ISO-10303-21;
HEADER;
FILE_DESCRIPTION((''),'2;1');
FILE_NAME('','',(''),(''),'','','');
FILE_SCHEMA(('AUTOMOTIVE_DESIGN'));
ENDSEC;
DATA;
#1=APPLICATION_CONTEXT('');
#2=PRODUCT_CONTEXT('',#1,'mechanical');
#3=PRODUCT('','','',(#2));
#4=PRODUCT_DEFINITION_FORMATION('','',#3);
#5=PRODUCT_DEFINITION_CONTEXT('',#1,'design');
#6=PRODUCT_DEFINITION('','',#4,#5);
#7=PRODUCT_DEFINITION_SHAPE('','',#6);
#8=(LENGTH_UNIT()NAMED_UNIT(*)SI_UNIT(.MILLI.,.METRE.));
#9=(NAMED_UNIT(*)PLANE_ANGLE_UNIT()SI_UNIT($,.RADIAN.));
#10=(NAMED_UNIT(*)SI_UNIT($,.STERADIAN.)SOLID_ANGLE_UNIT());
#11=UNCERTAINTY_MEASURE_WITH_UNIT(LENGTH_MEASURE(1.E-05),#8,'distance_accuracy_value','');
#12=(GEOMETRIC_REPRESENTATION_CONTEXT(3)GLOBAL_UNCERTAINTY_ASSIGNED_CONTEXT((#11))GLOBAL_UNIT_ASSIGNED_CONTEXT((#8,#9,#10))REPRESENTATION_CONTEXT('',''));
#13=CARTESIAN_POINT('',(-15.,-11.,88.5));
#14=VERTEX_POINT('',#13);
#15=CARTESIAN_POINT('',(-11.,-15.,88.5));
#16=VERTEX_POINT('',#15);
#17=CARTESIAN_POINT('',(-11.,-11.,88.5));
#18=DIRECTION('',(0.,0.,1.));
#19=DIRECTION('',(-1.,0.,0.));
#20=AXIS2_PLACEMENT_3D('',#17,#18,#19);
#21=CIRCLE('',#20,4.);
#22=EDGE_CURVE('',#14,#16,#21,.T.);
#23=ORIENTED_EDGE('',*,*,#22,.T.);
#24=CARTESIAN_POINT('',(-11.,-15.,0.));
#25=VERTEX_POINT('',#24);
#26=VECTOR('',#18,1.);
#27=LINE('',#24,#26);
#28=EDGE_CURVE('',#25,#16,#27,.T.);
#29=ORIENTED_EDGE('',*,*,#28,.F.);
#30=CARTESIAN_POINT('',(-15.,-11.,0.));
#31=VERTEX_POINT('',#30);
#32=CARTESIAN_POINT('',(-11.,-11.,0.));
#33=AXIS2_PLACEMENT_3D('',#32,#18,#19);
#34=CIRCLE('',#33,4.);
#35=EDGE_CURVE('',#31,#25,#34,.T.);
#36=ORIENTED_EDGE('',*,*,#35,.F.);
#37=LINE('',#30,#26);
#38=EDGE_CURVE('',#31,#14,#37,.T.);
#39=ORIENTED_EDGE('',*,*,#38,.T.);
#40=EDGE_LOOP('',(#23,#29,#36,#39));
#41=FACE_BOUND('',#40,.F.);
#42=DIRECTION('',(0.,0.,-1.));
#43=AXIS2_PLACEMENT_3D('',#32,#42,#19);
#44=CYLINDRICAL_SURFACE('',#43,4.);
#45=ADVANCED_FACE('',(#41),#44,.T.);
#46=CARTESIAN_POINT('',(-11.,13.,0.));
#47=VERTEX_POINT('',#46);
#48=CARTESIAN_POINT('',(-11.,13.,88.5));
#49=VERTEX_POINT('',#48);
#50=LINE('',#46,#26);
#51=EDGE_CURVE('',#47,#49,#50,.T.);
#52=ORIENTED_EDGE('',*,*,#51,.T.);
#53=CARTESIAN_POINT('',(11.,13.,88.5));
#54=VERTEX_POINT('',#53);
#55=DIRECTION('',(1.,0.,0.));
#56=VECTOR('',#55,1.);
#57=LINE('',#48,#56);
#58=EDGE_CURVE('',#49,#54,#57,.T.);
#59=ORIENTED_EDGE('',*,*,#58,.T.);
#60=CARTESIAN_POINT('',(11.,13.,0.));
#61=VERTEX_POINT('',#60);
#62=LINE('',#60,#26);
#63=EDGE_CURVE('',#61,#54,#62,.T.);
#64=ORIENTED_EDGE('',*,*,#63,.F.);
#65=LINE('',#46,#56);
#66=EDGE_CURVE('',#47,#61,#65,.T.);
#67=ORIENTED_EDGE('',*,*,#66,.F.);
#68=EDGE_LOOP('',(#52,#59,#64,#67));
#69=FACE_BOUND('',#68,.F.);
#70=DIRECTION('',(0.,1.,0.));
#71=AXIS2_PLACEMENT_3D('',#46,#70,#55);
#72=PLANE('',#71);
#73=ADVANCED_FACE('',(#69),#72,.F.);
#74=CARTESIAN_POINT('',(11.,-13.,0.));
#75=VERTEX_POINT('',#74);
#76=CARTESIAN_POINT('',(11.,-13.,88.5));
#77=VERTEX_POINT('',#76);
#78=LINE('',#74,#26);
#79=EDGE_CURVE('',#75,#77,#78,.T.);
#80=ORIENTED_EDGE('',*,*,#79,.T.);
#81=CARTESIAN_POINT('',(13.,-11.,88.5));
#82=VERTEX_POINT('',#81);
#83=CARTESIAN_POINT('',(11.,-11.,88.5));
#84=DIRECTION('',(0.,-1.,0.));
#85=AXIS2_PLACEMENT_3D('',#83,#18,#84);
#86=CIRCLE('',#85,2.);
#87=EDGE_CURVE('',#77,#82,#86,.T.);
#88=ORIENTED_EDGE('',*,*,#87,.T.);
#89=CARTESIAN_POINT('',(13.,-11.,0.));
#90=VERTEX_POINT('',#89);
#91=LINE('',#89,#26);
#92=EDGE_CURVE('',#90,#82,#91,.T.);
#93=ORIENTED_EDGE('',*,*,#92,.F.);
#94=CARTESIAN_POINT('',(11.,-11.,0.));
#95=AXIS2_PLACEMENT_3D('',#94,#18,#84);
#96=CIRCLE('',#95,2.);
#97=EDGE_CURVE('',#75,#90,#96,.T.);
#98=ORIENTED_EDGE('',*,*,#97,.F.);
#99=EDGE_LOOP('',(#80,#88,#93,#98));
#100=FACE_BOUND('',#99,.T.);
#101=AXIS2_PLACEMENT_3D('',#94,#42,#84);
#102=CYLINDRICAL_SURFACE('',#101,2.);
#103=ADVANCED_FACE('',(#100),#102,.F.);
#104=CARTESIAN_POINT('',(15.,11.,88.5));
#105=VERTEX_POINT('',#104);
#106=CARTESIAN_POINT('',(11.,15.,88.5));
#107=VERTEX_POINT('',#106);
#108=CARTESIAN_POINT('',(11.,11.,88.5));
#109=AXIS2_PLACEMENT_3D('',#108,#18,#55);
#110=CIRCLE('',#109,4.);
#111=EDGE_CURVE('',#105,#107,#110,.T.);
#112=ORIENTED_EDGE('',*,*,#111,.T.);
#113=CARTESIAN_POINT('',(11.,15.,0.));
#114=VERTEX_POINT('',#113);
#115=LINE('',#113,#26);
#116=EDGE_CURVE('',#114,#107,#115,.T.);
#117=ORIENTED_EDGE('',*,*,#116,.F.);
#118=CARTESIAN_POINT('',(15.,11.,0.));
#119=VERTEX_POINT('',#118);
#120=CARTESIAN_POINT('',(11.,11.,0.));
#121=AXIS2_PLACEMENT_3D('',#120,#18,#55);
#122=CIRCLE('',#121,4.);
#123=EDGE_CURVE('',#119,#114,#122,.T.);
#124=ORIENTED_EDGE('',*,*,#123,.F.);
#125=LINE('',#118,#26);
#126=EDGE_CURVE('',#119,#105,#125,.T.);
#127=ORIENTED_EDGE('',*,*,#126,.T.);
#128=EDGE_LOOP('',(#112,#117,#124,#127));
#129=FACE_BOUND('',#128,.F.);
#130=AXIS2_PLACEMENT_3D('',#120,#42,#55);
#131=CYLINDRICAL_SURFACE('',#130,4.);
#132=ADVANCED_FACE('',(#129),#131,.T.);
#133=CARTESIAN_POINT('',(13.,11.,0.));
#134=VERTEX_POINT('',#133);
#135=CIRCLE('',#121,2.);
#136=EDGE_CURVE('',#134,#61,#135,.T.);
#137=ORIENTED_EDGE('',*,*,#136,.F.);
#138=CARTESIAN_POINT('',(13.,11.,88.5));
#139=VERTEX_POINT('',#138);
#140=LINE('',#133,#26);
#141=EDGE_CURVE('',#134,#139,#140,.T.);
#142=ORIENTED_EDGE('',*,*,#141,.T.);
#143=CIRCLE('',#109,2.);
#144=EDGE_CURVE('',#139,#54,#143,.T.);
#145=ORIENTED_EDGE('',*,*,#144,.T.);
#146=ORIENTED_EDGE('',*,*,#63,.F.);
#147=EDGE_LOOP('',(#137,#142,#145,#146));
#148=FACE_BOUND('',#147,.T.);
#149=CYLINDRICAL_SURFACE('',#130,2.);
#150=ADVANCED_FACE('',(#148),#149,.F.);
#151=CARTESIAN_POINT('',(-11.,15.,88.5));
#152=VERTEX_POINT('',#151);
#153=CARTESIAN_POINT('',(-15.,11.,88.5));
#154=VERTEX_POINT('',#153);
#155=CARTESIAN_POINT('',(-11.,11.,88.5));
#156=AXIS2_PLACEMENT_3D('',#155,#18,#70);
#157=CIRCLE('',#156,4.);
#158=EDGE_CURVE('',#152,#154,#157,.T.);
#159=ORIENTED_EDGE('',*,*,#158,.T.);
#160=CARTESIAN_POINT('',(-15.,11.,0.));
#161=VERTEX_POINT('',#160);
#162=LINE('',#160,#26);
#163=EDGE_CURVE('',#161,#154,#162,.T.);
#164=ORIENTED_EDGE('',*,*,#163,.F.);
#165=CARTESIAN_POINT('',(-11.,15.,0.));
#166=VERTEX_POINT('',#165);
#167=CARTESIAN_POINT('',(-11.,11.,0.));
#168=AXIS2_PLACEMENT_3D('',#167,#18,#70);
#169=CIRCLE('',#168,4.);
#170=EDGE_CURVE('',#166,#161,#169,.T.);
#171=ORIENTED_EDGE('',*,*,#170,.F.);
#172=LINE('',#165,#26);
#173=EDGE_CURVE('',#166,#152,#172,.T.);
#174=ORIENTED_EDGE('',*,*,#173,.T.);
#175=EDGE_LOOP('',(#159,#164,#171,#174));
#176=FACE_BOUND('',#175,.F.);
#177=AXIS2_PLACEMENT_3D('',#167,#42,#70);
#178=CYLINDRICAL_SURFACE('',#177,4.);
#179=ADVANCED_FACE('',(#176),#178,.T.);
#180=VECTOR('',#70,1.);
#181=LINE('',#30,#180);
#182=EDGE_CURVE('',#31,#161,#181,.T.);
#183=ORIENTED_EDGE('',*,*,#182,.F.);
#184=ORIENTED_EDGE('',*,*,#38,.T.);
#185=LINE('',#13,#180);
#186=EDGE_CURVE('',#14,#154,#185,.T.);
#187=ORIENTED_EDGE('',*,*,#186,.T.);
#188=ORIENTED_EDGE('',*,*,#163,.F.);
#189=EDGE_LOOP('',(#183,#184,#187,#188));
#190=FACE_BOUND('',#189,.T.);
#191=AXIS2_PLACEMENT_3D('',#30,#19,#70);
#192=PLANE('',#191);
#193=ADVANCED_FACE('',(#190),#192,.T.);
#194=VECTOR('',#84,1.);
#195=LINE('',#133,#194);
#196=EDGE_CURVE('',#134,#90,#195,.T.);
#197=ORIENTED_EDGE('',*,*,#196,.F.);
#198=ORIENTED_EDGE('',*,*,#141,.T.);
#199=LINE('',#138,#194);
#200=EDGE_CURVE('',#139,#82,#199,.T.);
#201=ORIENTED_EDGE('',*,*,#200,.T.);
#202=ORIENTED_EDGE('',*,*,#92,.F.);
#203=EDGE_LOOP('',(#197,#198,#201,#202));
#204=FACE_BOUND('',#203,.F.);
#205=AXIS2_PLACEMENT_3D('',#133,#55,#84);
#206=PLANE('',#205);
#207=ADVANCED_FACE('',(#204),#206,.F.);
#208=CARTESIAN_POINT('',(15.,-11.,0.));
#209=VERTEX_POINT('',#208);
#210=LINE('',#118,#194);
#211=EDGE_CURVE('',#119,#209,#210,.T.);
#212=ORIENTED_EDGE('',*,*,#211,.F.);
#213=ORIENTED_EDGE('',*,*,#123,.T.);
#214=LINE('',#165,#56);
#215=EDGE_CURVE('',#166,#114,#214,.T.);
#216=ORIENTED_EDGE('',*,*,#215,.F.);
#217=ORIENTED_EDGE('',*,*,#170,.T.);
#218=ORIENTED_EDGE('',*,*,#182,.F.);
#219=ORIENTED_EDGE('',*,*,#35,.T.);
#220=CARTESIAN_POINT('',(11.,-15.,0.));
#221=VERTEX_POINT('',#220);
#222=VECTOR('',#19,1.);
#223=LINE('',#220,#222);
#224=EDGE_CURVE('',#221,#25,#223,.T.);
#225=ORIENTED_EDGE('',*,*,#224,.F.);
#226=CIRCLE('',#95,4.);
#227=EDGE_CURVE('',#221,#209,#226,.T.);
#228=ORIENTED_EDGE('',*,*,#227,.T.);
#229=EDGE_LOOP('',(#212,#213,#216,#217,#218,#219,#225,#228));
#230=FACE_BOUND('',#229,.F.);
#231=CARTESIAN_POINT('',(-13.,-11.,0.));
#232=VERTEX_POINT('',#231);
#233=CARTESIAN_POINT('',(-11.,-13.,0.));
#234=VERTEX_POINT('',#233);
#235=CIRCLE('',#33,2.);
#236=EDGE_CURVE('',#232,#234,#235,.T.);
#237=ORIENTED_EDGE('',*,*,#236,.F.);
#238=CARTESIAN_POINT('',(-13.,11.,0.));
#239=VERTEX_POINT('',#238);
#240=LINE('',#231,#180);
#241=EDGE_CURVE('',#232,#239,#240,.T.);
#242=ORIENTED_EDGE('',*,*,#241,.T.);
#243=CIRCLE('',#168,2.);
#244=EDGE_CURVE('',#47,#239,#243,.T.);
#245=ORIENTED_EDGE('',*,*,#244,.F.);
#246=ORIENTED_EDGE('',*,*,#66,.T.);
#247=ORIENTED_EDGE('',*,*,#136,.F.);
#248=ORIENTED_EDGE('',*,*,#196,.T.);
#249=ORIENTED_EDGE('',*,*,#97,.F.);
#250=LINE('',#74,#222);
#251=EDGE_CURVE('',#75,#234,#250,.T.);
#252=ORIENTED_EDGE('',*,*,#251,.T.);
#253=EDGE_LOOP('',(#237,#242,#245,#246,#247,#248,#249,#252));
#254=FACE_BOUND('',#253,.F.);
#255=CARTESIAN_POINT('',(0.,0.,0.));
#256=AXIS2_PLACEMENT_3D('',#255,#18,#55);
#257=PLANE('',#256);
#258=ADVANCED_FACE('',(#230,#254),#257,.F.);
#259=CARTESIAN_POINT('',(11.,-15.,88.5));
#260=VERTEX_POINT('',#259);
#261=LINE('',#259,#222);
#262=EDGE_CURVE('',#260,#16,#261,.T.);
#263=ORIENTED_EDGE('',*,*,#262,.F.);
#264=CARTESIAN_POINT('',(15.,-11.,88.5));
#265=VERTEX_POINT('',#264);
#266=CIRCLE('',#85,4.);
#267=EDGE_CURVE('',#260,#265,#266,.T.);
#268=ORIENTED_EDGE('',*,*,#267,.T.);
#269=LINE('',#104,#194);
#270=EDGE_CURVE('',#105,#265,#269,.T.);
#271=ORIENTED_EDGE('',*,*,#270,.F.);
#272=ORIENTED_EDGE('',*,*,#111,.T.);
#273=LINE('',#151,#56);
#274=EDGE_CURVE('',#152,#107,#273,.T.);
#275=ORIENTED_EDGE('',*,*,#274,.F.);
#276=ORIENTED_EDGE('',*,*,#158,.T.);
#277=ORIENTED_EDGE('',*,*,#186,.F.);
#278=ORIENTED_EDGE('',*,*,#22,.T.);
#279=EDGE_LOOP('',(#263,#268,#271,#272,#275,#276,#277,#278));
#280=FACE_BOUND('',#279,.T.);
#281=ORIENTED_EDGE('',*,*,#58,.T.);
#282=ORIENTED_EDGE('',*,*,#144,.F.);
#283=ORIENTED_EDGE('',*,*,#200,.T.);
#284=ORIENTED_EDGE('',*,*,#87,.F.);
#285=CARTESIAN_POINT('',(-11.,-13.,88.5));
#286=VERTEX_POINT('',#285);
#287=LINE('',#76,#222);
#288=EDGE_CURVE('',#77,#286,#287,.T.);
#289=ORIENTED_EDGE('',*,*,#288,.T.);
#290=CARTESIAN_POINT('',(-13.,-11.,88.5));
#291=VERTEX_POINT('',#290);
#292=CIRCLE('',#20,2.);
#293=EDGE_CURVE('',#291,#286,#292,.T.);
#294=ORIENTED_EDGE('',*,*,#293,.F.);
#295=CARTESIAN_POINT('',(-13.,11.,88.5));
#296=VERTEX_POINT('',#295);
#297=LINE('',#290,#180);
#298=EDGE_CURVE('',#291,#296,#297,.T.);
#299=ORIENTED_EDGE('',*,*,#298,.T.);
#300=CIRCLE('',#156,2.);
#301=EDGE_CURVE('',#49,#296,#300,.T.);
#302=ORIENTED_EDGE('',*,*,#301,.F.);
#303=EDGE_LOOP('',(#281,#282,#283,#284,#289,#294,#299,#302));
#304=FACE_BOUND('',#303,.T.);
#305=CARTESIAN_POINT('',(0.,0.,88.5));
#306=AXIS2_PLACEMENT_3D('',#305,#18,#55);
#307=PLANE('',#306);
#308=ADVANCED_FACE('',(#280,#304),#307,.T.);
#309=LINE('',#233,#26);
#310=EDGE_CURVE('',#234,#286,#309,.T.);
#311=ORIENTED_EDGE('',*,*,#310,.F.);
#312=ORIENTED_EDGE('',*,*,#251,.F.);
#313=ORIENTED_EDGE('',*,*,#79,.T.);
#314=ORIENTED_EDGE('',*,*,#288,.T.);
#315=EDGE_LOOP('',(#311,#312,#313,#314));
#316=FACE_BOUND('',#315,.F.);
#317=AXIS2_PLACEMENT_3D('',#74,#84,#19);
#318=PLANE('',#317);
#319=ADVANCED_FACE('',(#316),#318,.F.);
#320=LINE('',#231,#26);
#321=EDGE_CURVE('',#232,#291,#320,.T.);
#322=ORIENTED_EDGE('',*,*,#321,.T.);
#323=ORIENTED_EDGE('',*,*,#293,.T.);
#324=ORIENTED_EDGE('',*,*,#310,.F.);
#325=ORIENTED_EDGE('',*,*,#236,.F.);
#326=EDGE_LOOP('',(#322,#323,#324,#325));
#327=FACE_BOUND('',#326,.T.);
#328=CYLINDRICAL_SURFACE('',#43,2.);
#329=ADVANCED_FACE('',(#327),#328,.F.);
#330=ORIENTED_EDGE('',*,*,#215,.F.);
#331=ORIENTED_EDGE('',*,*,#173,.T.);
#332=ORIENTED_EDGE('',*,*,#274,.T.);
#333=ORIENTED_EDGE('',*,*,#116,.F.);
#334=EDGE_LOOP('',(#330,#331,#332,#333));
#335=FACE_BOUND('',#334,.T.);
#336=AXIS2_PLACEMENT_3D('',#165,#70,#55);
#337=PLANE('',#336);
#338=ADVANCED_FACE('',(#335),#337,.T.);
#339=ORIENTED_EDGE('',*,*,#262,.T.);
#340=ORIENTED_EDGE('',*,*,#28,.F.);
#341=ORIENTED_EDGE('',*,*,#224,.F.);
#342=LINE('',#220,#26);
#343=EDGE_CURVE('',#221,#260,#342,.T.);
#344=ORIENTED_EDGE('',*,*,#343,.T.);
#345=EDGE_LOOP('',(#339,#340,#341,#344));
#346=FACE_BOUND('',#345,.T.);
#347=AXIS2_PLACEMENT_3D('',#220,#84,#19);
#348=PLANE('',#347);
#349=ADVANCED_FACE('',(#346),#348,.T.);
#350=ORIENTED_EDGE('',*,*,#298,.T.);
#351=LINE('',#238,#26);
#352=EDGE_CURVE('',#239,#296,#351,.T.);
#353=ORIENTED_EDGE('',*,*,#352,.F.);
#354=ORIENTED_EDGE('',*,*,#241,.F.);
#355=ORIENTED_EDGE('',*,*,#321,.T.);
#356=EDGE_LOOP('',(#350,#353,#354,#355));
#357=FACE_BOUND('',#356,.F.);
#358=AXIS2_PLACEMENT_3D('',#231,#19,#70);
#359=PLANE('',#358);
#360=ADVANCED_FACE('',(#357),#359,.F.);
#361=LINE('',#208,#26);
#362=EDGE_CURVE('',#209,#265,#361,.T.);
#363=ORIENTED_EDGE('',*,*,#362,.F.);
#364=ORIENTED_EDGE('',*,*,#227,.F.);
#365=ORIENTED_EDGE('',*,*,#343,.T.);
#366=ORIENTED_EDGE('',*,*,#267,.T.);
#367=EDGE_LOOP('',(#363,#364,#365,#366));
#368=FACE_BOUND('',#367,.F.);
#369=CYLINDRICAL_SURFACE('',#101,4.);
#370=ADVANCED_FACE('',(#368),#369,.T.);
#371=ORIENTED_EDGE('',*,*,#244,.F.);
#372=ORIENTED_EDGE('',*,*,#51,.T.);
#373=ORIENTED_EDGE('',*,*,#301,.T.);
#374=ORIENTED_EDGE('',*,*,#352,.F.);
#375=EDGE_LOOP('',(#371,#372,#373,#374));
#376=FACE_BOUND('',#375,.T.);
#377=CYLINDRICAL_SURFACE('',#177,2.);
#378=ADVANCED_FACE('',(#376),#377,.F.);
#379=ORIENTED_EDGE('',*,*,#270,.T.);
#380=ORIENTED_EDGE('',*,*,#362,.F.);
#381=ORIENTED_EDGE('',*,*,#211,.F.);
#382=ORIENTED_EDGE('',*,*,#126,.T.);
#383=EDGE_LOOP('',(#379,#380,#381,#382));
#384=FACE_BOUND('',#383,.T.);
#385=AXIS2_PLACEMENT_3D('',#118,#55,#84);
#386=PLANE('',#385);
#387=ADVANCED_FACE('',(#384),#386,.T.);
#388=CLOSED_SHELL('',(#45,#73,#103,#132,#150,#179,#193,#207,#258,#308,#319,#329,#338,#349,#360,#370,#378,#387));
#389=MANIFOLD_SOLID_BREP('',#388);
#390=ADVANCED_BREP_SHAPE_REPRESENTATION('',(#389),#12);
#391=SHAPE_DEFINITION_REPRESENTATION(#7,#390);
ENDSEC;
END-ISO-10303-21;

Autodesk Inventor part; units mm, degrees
ref_plane "YZ Plane" through (0, 0, 0) normal (1, 0, 0) x (0, 1, 0)
ref_plane "Plan de départ" through (0, 0, 0) normal (0, 0, 1) x (1, 0, 0)
ref_plane "Plan de fin" through (0, 0, 88.5) normal (0, 0, 1) x (1, 0, 0)
sketch "Esquisse" plane through (0, 0, 0) normal (0, 0, 1) x (1, 0, 0)
  line L0 (-15, -11) -> (-15, 11)
  line L1 (-11, 15) -> (11, 15)
  line L2 (15, 11) -> (15, -11)
  line L3 (11, -15) -> (-11, -15)
  arc A0 (-15, -11) -> (-11, -15) centre (-11, -11) ccw
  arc A1 (15, 11) -> (11, 15) centre (11, 11) ccw
  arc A2 (-11, 15) -> (-15, 11) centre (-11, 11) ccw
  arc A3 (11, -15) -> (15, -11) centre (11, -11) ccw
  arc A4 (-11, 13) -> (-13, 11) centre (-11, 11) ccw
  line L4 (-11, 13) -> (11, 13)
  arc A5 (13, 11) -> (11, 13) centre (11, 11) ccw
  line L5 (13, 11) -> (13, -11)
  arc A6 (11, -13) -> (13, -11) centre (11, -11) ccw
  line L6 (11, -13) -> (-11, -13)
  arc A7 (-13, -11) -> (-11, -13) centre (-11, -11) ccw
  line L7 (-13, -11) -> (-13, 11)
  line L8 (0, 22.1598) -> (0, -22.1598) construction
  line L9 (-22.1598, 0) -> (22.1598, 0) construction
  dimension "d7" = 4
  dimension "d9" = 30
  dimension "d11" = 30
  dimension "d12" = 2
  dimension "d15" = 15
  dimension "d16" = 15
extrude "Corps" add sketch "Esquisse" along normal up to surface (88.5 mm away) from surface at 0
sketch "Sketch3" plane through (0, 0, 0) normal (0, 0, 1) x (1, 0, 0)
  line L0 (0, 0) -> (10, 0)
ref_plane "Work Plane3" through (0, 0, 0) normal (0, -1, 0) x (1, 0, 0)
sketch "Sketch4" plane through (0, 0, 0) normal (0, -1, 0) x (1, 0, 0)
  line L0 (-2, 0) -> (12, 0) projected
  line L1 (-2, 88.5) -> (12, 88.5) projected
  dimension "d18" = 88.5
equation "\"d7\" = G_IR"
equation "\"d9\" = G_W"
equation "\"d11\" = G_H"
equation "\"d12\" = G_T"
equation "\"d15\" = 0.5 * d9"
equation "\"d16\" = 0.5 * d11"
equation "\"d3\" = G_L"
equation "\"G_W\" = 30"
equation "\"G_H\" = 30"
equation "\"G_T\" = 2"
equation "\"G_IR\" = 4"
equation "\"G_L\" = d18"
equation "\"G_OFFSET_START\" = 0"
equation "\"G_OFFSET_END\" = 0"
equation "\"d14\" = G_OFFSET_END + B_L"
equation "\"B_L\" = 88.5"
properties part number "ISO 10799-2 - 30x30x2 - 88,5" material "Acier, doux"
